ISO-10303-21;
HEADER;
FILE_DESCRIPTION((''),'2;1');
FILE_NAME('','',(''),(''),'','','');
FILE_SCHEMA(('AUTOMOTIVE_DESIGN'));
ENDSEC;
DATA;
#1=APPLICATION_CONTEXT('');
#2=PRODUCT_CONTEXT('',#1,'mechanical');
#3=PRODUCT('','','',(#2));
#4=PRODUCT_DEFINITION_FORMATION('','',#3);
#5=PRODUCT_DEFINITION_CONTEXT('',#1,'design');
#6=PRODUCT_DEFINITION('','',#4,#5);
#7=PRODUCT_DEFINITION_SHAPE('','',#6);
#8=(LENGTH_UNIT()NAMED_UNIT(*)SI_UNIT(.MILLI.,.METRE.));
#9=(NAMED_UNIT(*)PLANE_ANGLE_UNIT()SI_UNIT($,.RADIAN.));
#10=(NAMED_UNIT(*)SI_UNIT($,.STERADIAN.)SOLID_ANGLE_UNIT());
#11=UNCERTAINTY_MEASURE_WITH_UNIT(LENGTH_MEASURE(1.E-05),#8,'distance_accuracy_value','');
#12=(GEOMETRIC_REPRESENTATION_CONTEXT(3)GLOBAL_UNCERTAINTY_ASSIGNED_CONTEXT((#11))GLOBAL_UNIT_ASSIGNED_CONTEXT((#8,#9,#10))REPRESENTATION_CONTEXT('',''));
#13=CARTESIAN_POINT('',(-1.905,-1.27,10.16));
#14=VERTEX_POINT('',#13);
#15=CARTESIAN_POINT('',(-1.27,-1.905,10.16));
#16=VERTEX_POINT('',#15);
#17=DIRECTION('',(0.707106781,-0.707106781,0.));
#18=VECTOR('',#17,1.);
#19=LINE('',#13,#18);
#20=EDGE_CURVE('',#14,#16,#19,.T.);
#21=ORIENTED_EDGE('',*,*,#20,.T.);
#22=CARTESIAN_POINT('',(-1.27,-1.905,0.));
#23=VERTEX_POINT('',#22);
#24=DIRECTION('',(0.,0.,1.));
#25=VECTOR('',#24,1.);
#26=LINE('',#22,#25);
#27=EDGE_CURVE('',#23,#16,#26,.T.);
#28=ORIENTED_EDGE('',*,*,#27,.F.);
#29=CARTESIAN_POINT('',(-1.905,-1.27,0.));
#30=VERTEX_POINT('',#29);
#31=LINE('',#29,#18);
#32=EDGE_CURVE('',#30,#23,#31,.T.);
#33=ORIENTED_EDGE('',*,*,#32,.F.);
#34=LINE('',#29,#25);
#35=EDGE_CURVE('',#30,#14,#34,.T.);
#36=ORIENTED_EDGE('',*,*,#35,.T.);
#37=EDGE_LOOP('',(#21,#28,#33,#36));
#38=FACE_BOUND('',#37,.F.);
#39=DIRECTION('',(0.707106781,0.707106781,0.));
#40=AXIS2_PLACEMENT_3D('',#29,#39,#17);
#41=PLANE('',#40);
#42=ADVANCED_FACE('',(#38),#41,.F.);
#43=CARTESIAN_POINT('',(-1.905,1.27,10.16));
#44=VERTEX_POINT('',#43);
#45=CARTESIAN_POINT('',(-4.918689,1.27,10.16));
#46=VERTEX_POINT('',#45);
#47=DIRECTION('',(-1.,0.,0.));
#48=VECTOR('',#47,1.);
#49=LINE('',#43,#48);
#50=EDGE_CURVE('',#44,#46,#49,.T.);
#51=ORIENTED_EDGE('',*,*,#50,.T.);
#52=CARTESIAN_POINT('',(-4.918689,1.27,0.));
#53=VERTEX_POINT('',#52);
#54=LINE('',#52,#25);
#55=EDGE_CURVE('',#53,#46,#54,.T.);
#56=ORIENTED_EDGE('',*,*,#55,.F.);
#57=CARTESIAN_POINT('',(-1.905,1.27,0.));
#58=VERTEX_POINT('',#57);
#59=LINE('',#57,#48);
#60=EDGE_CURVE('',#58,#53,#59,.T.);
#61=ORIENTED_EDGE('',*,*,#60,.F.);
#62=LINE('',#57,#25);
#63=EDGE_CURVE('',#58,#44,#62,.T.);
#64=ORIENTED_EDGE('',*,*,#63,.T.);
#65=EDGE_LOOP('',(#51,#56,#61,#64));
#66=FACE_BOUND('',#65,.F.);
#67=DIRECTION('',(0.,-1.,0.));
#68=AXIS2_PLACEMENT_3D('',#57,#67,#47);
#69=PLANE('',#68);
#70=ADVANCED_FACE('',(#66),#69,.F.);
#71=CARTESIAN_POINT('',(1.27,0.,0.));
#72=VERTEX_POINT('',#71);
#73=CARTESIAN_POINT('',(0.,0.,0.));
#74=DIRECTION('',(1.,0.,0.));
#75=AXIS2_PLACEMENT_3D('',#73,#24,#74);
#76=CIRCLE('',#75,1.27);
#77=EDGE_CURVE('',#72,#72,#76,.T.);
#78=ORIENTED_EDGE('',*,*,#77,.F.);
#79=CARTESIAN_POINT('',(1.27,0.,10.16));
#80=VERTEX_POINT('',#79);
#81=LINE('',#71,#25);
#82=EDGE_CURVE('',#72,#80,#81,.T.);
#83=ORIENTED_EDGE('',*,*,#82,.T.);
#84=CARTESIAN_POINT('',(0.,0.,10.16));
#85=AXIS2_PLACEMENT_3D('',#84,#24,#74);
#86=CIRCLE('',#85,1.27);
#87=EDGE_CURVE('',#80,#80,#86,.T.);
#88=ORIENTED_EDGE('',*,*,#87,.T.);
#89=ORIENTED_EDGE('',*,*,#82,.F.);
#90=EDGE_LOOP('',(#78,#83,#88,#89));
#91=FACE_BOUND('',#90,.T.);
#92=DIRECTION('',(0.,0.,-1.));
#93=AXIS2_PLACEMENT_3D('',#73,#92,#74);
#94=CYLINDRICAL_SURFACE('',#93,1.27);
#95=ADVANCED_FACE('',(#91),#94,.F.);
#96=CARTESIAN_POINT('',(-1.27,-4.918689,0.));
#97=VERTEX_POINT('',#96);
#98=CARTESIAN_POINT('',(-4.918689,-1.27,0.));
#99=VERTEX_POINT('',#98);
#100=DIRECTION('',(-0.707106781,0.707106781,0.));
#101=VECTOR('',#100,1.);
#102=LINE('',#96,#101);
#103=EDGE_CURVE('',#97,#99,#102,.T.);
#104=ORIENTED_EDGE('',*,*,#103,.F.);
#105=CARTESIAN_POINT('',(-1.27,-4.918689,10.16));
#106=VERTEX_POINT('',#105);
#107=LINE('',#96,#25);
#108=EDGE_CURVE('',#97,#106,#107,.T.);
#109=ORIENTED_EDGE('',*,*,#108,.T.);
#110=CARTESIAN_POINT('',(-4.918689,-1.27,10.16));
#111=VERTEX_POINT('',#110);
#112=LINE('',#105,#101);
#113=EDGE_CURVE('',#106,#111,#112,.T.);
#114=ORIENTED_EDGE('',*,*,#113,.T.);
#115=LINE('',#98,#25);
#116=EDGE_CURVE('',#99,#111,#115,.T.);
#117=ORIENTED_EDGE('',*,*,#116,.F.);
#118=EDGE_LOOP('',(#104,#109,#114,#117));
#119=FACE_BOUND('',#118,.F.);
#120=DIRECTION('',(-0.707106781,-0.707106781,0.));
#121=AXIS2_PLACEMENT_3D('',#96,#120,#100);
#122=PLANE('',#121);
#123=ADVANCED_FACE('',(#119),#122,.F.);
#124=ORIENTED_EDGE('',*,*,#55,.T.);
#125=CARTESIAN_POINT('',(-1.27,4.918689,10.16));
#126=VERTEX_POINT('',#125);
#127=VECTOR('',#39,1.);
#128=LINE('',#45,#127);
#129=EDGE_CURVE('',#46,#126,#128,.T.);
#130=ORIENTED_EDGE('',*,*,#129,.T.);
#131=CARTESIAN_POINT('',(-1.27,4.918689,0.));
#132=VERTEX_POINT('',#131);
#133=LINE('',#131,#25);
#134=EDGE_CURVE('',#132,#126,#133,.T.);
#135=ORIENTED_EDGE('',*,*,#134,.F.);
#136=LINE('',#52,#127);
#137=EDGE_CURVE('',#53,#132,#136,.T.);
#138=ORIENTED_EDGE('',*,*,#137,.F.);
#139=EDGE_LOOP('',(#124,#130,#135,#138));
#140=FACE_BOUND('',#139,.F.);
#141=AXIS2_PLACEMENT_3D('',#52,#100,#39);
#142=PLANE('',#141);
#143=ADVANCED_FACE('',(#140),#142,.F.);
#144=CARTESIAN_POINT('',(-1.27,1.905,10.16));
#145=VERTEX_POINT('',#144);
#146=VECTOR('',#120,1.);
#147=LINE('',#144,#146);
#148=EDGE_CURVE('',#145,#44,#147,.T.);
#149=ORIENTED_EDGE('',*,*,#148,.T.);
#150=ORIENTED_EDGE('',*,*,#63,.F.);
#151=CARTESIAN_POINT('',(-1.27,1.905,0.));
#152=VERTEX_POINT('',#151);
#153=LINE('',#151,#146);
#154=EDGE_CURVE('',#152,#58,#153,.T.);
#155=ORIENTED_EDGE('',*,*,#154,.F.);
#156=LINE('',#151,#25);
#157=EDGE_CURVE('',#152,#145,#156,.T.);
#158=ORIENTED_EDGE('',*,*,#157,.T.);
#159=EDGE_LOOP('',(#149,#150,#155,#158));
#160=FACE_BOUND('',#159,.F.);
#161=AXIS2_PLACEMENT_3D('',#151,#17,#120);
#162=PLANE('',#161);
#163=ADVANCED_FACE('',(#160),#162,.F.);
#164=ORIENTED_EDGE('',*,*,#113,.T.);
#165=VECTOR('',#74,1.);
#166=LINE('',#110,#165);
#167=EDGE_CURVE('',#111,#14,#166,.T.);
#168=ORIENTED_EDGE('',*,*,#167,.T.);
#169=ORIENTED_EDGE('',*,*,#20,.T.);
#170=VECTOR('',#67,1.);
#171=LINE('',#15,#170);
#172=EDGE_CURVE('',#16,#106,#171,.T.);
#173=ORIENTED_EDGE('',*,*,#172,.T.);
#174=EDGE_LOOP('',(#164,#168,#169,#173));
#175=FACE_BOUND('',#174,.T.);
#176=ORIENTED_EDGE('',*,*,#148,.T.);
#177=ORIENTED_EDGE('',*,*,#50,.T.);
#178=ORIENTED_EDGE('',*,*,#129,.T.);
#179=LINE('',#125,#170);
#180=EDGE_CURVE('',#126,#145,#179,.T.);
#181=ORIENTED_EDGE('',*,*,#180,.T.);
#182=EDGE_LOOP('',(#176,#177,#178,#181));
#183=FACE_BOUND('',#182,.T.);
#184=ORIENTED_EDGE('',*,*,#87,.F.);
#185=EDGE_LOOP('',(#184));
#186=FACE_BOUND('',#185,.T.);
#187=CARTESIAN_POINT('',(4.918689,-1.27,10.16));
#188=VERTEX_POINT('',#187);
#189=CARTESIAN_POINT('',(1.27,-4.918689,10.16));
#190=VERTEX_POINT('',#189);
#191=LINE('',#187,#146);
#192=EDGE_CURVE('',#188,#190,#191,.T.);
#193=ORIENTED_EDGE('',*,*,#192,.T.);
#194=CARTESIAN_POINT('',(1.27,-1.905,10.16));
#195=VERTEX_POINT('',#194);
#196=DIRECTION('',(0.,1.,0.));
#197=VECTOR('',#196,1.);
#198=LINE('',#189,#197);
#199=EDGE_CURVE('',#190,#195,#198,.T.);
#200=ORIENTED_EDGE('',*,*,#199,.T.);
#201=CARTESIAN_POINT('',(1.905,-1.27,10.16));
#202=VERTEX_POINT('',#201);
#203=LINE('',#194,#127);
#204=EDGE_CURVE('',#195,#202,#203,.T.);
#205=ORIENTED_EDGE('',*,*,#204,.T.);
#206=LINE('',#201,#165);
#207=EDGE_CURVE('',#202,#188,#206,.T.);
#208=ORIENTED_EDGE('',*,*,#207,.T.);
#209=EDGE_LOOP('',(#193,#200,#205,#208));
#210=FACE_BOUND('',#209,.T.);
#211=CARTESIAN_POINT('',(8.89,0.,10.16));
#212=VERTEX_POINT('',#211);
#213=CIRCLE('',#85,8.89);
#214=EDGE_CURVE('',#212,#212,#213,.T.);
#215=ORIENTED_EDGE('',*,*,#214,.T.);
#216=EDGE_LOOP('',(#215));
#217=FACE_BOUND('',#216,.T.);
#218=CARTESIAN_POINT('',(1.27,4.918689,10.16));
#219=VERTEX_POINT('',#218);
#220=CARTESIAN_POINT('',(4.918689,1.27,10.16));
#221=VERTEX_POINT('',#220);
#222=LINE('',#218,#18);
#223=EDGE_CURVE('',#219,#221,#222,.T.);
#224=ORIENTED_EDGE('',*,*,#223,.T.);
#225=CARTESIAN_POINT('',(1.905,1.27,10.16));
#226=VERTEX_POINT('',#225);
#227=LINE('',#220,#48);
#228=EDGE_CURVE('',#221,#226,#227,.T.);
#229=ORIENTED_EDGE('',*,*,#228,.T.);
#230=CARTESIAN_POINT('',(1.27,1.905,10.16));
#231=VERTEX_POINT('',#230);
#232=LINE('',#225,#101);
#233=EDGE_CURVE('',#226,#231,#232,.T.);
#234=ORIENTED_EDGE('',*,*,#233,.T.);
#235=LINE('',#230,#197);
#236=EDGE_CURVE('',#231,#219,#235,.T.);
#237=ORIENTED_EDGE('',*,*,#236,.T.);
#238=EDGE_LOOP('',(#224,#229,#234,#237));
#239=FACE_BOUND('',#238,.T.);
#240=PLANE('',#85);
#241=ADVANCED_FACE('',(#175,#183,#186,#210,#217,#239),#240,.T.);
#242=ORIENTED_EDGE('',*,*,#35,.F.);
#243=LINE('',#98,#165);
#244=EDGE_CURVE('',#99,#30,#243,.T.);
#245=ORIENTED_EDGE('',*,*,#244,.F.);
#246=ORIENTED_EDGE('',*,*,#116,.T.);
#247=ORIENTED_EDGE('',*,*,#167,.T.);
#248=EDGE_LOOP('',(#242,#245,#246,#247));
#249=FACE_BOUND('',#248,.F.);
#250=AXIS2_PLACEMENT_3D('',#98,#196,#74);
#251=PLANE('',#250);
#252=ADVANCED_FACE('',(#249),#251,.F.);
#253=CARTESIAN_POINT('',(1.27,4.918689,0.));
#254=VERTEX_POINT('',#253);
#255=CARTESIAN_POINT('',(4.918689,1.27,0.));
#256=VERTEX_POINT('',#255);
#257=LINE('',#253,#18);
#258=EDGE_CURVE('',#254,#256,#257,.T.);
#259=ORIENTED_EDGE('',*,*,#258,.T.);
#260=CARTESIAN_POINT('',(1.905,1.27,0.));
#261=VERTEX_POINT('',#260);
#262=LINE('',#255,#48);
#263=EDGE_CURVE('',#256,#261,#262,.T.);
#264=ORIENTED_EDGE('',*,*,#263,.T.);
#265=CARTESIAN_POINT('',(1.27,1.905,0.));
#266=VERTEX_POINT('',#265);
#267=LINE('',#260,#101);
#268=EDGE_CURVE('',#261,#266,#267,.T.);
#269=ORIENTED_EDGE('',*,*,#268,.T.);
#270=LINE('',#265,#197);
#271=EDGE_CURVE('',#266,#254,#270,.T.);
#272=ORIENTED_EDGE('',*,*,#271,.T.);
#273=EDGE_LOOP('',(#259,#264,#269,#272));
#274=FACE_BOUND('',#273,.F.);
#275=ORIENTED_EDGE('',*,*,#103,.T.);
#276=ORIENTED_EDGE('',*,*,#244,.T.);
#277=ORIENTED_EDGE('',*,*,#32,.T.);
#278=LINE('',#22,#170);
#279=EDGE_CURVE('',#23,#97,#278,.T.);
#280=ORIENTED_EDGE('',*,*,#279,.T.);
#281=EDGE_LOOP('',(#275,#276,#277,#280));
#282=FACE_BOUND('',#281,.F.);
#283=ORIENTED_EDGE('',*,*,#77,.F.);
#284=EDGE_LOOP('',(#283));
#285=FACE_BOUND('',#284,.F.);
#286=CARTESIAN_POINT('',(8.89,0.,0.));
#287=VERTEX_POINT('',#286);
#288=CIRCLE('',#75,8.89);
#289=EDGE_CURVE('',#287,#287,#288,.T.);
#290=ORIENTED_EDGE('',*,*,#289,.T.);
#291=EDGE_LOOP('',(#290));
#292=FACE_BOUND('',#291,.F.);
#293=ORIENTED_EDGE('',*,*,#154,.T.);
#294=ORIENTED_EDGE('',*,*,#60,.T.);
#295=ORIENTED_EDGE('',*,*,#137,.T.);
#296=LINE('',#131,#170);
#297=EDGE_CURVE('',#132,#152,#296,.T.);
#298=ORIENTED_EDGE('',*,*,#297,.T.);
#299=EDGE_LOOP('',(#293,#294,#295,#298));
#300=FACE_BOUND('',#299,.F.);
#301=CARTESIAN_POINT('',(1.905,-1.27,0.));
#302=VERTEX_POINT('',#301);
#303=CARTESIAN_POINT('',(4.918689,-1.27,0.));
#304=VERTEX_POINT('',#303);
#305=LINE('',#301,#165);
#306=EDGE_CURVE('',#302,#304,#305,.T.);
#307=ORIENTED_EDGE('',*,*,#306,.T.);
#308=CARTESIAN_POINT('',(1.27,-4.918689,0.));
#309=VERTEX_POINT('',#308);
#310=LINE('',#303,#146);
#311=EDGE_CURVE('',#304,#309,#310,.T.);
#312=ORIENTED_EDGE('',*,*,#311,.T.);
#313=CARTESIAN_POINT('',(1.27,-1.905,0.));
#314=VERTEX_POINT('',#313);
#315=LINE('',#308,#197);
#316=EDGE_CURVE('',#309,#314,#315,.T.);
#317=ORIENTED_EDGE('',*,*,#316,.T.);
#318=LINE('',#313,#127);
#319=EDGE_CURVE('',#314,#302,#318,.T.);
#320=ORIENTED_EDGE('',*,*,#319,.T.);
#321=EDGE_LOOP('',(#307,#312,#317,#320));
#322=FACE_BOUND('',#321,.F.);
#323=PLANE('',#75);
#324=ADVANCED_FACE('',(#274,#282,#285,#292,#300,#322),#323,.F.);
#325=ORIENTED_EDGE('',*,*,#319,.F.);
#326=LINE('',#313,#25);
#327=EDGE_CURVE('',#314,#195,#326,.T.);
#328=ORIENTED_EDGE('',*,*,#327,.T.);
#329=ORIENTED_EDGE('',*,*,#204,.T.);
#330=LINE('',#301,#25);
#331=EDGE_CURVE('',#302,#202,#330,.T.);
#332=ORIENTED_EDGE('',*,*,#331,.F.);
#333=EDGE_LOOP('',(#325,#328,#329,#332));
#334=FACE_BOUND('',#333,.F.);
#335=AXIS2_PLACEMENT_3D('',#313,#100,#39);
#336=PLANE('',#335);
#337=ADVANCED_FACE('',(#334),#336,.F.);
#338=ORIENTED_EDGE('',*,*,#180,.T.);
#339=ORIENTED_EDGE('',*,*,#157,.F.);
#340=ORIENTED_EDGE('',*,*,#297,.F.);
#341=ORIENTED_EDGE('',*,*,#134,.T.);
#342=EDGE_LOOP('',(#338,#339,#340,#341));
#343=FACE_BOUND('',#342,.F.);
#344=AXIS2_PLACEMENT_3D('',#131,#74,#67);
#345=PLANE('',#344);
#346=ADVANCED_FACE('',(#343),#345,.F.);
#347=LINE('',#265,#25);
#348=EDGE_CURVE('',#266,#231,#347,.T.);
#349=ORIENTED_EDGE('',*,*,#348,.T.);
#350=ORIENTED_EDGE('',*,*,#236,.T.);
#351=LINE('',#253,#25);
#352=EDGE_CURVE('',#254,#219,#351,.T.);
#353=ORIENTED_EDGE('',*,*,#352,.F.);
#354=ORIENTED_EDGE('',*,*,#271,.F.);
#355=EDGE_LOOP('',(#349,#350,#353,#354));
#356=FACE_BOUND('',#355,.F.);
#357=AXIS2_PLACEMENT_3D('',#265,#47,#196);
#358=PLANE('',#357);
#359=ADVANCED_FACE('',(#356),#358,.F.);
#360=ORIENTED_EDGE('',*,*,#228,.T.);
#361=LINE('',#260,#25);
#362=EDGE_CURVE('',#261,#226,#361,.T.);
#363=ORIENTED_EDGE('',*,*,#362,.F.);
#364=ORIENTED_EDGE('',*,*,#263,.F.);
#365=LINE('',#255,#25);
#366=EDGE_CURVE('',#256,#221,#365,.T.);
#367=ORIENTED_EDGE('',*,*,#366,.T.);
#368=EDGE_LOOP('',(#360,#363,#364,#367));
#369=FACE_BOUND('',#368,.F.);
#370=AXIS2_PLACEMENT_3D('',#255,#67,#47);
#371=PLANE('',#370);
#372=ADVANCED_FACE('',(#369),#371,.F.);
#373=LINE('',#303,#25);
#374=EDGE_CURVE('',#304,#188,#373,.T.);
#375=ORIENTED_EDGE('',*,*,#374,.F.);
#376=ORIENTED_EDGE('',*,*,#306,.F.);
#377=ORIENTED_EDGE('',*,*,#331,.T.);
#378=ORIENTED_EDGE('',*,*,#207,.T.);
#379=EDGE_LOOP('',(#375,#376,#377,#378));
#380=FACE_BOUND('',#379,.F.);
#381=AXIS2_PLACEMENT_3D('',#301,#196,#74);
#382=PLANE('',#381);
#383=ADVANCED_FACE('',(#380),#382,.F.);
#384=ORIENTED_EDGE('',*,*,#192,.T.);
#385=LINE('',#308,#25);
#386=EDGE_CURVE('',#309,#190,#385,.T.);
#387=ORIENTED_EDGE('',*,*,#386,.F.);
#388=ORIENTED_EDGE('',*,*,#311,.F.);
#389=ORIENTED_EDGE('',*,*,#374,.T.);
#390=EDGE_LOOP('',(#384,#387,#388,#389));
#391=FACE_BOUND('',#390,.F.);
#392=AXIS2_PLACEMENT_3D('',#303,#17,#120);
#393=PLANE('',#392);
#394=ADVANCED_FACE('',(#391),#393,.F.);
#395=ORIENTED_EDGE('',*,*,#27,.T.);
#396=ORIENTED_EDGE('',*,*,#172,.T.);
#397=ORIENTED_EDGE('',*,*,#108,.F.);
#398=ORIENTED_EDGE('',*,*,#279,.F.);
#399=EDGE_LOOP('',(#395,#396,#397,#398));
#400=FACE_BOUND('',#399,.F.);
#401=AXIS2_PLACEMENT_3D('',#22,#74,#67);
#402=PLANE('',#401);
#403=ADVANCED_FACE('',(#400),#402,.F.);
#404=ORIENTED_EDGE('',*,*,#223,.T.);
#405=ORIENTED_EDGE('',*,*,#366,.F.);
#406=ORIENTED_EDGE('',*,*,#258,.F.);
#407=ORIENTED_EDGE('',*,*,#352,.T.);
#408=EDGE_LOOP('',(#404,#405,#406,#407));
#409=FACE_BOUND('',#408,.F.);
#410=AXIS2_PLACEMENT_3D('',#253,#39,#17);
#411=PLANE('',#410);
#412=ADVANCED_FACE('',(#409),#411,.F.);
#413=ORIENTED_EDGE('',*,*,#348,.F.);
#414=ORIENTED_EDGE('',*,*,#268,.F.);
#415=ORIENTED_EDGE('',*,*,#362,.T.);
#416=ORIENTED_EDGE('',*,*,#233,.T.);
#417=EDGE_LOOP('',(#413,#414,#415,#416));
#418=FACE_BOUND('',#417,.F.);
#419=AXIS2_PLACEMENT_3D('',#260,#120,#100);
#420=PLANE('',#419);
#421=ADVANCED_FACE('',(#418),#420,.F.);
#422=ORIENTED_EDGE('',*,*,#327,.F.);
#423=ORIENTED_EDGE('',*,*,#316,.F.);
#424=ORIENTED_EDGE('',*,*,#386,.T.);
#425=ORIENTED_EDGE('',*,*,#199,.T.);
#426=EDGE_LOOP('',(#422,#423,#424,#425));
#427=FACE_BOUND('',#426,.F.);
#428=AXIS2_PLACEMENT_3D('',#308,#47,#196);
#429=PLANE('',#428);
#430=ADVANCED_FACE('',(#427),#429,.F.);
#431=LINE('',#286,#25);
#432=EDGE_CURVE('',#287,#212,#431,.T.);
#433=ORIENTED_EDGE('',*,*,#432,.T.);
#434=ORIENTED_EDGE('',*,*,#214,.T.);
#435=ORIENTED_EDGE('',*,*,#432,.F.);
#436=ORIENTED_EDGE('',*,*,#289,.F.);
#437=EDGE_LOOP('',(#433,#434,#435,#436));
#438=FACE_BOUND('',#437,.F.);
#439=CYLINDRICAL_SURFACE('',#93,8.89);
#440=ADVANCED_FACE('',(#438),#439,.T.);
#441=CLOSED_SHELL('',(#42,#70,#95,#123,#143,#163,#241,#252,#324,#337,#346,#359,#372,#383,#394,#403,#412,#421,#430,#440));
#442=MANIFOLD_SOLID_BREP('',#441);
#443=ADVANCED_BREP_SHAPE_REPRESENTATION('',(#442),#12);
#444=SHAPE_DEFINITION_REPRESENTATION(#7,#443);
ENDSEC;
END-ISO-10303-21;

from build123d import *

# Parameters (mm, degrees)
F0_R     = 8.89
F0_R_2   = 1.27
F1_DEPTH = 10.16


with BuildPart() as f1:
    # F0 (on Top) → F1 (new body)
    with BuildSketch(Plane.XY):
        Circle(F0_R)
        Polygon((-4.918689, -1.27), (-1.905, -1.27), (-1.27, -1.905), (-1.27, -4.918689), align=None, mode=Mode.SUBTRACT)
        Circle(F0_R_2, mode=Mode.SUBTRACT)
        Polygon((1.27, -4.918689), (1.27, -1.905), (1.905, -1.27), (4.918689, -1.27), align=None, mode=Mode.SUBTRACT)
        Polygon((-4.918689, 1.27), (-1.27, 4.918689), (-1.27, 1.905), (-1.905, 1.27), align=None, mode=Mode.SUBTRACT)
        Polygon((1.905, 1.27), (1.27, 1.905), (1.27, 4.918689), (4.918689, 1.27), align=None, mode=Mode.SUBTRACT)
    extrude(amount=F1_DEPTH)


solid = f1.part
